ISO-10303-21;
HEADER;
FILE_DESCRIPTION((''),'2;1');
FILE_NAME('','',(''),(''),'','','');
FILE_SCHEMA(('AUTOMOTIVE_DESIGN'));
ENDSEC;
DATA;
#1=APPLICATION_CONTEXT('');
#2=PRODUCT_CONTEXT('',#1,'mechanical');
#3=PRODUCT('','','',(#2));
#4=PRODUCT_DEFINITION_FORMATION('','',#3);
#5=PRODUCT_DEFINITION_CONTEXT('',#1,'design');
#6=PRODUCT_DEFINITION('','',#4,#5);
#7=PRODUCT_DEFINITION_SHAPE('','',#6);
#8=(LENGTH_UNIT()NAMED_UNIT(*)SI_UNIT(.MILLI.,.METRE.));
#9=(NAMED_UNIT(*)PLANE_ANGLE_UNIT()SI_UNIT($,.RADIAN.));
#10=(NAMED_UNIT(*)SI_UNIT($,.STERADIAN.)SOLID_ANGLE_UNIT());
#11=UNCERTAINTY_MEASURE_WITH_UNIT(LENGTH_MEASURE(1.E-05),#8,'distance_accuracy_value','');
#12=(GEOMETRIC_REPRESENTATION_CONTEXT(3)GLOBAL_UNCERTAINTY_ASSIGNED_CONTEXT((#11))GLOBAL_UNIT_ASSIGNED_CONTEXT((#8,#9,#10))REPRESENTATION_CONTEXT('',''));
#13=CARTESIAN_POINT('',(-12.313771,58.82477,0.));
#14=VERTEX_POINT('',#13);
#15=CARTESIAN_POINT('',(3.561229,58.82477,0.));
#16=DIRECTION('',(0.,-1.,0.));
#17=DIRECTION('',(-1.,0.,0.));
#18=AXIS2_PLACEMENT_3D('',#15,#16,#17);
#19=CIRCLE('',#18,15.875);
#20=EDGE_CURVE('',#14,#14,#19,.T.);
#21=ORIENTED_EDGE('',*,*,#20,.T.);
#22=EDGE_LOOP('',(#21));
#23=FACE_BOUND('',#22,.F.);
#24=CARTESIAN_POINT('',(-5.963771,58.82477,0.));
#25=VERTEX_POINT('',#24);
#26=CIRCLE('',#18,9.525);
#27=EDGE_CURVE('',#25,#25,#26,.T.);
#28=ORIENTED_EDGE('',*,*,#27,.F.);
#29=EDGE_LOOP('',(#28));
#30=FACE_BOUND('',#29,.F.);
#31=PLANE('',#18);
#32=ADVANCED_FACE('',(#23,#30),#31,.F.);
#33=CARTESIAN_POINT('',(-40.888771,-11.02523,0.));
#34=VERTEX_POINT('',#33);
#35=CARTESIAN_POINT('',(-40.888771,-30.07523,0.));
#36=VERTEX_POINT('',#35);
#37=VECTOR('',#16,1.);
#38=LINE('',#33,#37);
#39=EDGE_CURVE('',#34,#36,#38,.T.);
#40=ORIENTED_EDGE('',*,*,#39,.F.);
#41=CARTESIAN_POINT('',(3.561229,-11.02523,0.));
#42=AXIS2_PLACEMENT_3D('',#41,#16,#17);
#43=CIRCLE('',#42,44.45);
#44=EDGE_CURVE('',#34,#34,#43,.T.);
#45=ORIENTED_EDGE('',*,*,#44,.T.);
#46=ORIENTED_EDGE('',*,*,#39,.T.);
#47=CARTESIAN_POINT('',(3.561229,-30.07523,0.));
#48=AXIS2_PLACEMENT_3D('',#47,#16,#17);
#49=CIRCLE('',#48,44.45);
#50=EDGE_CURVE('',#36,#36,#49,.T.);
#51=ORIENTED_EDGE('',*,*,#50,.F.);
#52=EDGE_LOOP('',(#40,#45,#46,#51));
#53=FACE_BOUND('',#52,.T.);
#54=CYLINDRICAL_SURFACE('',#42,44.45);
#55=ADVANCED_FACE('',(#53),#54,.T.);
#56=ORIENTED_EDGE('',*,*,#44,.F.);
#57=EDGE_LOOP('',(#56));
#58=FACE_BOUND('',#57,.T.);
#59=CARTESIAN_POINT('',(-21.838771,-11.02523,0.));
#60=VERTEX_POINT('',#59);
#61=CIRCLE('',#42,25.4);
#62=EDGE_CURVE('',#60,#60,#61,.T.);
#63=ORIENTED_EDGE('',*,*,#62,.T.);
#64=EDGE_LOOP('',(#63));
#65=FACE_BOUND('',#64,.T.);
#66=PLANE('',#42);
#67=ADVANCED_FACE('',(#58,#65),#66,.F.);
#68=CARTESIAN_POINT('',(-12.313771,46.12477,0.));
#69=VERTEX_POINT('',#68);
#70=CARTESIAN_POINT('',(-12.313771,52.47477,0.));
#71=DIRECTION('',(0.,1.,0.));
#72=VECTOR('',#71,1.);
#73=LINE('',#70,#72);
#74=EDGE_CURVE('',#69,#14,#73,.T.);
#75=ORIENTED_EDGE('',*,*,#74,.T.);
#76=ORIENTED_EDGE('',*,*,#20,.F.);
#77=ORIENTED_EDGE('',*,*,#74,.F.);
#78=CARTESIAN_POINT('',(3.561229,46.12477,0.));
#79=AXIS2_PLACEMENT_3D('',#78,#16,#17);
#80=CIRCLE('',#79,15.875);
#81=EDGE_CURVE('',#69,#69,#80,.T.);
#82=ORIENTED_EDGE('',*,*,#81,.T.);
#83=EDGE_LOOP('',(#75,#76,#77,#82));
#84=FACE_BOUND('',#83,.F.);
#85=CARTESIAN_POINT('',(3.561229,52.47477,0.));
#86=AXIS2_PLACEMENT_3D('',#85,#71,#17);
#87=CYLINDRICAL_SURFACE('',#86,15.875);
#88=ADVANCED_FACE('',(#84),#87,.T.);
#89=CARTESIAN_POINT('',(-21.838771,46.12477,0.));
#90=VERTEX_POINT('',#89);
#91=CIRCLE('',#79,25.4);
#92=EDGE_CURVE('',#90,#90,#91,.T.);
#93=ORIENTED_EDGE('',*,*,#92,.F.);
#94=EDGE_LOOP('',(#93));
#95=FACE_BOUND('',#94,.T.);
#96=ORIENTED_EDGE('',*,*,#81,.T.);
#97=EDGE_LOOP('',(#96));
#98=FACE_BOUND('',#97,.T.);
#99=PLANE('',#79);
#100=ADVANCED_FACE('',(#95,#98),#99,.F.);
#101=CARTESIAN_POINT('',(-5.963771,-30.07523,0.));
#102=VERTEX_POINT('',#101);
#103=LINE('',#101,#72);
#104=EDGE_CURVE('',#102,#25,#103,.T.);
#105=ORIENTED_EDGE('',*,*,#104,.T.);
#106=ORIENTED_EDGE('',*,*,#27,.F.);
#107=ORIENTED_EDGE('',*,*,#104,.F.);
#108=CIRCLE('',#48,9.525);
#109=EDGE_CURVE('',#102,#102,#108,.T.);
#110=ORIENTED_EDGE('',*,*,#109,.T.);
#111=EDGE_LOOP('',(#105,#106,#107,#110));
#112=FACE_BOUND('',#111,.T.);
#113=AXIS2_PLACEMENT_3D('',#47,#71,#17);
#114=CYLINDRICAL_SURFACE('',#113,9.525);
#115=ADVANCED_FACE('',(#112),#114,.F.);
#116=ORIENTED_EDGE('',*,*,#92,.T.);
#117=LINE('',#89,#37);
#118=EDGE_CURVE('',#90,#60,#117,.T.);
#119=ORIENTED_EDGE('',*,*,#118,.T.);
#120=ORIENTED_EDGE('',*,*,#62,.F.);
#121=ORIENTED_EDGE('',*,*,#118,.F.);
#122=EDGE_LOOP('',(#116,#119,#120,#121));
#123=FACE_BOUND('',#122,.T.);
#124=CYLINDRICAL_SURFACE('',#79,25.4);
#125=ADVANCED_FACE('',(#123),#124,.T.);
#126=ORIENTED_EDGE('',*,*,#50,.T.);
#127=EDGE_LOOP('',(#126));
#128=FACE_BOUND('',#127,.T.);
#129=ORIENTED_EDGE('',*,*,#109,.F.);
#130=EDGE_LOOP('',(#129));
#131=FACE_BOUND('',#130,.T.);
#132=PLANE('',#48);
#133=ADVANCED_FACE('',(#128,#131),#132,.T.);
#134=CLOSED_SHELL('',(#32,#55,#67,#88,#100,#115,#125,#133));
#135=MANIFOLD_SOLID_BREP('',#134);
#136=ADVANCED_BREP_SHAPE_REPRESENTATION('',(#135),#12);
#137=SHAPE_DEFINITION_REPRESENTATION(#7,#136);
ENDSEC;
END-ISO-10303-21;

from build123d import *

# Parameters (mm, degrees)
F0_W = 6.35
F0_H = 12.7


with BuildPart() as f1:
    # F0 (on Top) → F1 (revolve)
    with BuildSketch(Plane.XY):
        Polygon((-5.963771, -11.02523), (-5.963771, 46.12477), (-12.313771, 46.12477), (-21.838771, 46.12477), (-21.838771, -11.02523), align=None)
        Polygon((-5.963771, -30.07523), (-5.963771, -11.02523), (-21.838771, -11.02523), (-40.888771, -11.02523), (-40.888771, -30.07523), align=None)
        with Locations((-9.138771, 52.47477)):
            Rectangle(F0_W, F0_H)
    revolve(axis=Axis((3.561229, 14.37477, 0), (0, -1, 0)))


solid = f1.part
